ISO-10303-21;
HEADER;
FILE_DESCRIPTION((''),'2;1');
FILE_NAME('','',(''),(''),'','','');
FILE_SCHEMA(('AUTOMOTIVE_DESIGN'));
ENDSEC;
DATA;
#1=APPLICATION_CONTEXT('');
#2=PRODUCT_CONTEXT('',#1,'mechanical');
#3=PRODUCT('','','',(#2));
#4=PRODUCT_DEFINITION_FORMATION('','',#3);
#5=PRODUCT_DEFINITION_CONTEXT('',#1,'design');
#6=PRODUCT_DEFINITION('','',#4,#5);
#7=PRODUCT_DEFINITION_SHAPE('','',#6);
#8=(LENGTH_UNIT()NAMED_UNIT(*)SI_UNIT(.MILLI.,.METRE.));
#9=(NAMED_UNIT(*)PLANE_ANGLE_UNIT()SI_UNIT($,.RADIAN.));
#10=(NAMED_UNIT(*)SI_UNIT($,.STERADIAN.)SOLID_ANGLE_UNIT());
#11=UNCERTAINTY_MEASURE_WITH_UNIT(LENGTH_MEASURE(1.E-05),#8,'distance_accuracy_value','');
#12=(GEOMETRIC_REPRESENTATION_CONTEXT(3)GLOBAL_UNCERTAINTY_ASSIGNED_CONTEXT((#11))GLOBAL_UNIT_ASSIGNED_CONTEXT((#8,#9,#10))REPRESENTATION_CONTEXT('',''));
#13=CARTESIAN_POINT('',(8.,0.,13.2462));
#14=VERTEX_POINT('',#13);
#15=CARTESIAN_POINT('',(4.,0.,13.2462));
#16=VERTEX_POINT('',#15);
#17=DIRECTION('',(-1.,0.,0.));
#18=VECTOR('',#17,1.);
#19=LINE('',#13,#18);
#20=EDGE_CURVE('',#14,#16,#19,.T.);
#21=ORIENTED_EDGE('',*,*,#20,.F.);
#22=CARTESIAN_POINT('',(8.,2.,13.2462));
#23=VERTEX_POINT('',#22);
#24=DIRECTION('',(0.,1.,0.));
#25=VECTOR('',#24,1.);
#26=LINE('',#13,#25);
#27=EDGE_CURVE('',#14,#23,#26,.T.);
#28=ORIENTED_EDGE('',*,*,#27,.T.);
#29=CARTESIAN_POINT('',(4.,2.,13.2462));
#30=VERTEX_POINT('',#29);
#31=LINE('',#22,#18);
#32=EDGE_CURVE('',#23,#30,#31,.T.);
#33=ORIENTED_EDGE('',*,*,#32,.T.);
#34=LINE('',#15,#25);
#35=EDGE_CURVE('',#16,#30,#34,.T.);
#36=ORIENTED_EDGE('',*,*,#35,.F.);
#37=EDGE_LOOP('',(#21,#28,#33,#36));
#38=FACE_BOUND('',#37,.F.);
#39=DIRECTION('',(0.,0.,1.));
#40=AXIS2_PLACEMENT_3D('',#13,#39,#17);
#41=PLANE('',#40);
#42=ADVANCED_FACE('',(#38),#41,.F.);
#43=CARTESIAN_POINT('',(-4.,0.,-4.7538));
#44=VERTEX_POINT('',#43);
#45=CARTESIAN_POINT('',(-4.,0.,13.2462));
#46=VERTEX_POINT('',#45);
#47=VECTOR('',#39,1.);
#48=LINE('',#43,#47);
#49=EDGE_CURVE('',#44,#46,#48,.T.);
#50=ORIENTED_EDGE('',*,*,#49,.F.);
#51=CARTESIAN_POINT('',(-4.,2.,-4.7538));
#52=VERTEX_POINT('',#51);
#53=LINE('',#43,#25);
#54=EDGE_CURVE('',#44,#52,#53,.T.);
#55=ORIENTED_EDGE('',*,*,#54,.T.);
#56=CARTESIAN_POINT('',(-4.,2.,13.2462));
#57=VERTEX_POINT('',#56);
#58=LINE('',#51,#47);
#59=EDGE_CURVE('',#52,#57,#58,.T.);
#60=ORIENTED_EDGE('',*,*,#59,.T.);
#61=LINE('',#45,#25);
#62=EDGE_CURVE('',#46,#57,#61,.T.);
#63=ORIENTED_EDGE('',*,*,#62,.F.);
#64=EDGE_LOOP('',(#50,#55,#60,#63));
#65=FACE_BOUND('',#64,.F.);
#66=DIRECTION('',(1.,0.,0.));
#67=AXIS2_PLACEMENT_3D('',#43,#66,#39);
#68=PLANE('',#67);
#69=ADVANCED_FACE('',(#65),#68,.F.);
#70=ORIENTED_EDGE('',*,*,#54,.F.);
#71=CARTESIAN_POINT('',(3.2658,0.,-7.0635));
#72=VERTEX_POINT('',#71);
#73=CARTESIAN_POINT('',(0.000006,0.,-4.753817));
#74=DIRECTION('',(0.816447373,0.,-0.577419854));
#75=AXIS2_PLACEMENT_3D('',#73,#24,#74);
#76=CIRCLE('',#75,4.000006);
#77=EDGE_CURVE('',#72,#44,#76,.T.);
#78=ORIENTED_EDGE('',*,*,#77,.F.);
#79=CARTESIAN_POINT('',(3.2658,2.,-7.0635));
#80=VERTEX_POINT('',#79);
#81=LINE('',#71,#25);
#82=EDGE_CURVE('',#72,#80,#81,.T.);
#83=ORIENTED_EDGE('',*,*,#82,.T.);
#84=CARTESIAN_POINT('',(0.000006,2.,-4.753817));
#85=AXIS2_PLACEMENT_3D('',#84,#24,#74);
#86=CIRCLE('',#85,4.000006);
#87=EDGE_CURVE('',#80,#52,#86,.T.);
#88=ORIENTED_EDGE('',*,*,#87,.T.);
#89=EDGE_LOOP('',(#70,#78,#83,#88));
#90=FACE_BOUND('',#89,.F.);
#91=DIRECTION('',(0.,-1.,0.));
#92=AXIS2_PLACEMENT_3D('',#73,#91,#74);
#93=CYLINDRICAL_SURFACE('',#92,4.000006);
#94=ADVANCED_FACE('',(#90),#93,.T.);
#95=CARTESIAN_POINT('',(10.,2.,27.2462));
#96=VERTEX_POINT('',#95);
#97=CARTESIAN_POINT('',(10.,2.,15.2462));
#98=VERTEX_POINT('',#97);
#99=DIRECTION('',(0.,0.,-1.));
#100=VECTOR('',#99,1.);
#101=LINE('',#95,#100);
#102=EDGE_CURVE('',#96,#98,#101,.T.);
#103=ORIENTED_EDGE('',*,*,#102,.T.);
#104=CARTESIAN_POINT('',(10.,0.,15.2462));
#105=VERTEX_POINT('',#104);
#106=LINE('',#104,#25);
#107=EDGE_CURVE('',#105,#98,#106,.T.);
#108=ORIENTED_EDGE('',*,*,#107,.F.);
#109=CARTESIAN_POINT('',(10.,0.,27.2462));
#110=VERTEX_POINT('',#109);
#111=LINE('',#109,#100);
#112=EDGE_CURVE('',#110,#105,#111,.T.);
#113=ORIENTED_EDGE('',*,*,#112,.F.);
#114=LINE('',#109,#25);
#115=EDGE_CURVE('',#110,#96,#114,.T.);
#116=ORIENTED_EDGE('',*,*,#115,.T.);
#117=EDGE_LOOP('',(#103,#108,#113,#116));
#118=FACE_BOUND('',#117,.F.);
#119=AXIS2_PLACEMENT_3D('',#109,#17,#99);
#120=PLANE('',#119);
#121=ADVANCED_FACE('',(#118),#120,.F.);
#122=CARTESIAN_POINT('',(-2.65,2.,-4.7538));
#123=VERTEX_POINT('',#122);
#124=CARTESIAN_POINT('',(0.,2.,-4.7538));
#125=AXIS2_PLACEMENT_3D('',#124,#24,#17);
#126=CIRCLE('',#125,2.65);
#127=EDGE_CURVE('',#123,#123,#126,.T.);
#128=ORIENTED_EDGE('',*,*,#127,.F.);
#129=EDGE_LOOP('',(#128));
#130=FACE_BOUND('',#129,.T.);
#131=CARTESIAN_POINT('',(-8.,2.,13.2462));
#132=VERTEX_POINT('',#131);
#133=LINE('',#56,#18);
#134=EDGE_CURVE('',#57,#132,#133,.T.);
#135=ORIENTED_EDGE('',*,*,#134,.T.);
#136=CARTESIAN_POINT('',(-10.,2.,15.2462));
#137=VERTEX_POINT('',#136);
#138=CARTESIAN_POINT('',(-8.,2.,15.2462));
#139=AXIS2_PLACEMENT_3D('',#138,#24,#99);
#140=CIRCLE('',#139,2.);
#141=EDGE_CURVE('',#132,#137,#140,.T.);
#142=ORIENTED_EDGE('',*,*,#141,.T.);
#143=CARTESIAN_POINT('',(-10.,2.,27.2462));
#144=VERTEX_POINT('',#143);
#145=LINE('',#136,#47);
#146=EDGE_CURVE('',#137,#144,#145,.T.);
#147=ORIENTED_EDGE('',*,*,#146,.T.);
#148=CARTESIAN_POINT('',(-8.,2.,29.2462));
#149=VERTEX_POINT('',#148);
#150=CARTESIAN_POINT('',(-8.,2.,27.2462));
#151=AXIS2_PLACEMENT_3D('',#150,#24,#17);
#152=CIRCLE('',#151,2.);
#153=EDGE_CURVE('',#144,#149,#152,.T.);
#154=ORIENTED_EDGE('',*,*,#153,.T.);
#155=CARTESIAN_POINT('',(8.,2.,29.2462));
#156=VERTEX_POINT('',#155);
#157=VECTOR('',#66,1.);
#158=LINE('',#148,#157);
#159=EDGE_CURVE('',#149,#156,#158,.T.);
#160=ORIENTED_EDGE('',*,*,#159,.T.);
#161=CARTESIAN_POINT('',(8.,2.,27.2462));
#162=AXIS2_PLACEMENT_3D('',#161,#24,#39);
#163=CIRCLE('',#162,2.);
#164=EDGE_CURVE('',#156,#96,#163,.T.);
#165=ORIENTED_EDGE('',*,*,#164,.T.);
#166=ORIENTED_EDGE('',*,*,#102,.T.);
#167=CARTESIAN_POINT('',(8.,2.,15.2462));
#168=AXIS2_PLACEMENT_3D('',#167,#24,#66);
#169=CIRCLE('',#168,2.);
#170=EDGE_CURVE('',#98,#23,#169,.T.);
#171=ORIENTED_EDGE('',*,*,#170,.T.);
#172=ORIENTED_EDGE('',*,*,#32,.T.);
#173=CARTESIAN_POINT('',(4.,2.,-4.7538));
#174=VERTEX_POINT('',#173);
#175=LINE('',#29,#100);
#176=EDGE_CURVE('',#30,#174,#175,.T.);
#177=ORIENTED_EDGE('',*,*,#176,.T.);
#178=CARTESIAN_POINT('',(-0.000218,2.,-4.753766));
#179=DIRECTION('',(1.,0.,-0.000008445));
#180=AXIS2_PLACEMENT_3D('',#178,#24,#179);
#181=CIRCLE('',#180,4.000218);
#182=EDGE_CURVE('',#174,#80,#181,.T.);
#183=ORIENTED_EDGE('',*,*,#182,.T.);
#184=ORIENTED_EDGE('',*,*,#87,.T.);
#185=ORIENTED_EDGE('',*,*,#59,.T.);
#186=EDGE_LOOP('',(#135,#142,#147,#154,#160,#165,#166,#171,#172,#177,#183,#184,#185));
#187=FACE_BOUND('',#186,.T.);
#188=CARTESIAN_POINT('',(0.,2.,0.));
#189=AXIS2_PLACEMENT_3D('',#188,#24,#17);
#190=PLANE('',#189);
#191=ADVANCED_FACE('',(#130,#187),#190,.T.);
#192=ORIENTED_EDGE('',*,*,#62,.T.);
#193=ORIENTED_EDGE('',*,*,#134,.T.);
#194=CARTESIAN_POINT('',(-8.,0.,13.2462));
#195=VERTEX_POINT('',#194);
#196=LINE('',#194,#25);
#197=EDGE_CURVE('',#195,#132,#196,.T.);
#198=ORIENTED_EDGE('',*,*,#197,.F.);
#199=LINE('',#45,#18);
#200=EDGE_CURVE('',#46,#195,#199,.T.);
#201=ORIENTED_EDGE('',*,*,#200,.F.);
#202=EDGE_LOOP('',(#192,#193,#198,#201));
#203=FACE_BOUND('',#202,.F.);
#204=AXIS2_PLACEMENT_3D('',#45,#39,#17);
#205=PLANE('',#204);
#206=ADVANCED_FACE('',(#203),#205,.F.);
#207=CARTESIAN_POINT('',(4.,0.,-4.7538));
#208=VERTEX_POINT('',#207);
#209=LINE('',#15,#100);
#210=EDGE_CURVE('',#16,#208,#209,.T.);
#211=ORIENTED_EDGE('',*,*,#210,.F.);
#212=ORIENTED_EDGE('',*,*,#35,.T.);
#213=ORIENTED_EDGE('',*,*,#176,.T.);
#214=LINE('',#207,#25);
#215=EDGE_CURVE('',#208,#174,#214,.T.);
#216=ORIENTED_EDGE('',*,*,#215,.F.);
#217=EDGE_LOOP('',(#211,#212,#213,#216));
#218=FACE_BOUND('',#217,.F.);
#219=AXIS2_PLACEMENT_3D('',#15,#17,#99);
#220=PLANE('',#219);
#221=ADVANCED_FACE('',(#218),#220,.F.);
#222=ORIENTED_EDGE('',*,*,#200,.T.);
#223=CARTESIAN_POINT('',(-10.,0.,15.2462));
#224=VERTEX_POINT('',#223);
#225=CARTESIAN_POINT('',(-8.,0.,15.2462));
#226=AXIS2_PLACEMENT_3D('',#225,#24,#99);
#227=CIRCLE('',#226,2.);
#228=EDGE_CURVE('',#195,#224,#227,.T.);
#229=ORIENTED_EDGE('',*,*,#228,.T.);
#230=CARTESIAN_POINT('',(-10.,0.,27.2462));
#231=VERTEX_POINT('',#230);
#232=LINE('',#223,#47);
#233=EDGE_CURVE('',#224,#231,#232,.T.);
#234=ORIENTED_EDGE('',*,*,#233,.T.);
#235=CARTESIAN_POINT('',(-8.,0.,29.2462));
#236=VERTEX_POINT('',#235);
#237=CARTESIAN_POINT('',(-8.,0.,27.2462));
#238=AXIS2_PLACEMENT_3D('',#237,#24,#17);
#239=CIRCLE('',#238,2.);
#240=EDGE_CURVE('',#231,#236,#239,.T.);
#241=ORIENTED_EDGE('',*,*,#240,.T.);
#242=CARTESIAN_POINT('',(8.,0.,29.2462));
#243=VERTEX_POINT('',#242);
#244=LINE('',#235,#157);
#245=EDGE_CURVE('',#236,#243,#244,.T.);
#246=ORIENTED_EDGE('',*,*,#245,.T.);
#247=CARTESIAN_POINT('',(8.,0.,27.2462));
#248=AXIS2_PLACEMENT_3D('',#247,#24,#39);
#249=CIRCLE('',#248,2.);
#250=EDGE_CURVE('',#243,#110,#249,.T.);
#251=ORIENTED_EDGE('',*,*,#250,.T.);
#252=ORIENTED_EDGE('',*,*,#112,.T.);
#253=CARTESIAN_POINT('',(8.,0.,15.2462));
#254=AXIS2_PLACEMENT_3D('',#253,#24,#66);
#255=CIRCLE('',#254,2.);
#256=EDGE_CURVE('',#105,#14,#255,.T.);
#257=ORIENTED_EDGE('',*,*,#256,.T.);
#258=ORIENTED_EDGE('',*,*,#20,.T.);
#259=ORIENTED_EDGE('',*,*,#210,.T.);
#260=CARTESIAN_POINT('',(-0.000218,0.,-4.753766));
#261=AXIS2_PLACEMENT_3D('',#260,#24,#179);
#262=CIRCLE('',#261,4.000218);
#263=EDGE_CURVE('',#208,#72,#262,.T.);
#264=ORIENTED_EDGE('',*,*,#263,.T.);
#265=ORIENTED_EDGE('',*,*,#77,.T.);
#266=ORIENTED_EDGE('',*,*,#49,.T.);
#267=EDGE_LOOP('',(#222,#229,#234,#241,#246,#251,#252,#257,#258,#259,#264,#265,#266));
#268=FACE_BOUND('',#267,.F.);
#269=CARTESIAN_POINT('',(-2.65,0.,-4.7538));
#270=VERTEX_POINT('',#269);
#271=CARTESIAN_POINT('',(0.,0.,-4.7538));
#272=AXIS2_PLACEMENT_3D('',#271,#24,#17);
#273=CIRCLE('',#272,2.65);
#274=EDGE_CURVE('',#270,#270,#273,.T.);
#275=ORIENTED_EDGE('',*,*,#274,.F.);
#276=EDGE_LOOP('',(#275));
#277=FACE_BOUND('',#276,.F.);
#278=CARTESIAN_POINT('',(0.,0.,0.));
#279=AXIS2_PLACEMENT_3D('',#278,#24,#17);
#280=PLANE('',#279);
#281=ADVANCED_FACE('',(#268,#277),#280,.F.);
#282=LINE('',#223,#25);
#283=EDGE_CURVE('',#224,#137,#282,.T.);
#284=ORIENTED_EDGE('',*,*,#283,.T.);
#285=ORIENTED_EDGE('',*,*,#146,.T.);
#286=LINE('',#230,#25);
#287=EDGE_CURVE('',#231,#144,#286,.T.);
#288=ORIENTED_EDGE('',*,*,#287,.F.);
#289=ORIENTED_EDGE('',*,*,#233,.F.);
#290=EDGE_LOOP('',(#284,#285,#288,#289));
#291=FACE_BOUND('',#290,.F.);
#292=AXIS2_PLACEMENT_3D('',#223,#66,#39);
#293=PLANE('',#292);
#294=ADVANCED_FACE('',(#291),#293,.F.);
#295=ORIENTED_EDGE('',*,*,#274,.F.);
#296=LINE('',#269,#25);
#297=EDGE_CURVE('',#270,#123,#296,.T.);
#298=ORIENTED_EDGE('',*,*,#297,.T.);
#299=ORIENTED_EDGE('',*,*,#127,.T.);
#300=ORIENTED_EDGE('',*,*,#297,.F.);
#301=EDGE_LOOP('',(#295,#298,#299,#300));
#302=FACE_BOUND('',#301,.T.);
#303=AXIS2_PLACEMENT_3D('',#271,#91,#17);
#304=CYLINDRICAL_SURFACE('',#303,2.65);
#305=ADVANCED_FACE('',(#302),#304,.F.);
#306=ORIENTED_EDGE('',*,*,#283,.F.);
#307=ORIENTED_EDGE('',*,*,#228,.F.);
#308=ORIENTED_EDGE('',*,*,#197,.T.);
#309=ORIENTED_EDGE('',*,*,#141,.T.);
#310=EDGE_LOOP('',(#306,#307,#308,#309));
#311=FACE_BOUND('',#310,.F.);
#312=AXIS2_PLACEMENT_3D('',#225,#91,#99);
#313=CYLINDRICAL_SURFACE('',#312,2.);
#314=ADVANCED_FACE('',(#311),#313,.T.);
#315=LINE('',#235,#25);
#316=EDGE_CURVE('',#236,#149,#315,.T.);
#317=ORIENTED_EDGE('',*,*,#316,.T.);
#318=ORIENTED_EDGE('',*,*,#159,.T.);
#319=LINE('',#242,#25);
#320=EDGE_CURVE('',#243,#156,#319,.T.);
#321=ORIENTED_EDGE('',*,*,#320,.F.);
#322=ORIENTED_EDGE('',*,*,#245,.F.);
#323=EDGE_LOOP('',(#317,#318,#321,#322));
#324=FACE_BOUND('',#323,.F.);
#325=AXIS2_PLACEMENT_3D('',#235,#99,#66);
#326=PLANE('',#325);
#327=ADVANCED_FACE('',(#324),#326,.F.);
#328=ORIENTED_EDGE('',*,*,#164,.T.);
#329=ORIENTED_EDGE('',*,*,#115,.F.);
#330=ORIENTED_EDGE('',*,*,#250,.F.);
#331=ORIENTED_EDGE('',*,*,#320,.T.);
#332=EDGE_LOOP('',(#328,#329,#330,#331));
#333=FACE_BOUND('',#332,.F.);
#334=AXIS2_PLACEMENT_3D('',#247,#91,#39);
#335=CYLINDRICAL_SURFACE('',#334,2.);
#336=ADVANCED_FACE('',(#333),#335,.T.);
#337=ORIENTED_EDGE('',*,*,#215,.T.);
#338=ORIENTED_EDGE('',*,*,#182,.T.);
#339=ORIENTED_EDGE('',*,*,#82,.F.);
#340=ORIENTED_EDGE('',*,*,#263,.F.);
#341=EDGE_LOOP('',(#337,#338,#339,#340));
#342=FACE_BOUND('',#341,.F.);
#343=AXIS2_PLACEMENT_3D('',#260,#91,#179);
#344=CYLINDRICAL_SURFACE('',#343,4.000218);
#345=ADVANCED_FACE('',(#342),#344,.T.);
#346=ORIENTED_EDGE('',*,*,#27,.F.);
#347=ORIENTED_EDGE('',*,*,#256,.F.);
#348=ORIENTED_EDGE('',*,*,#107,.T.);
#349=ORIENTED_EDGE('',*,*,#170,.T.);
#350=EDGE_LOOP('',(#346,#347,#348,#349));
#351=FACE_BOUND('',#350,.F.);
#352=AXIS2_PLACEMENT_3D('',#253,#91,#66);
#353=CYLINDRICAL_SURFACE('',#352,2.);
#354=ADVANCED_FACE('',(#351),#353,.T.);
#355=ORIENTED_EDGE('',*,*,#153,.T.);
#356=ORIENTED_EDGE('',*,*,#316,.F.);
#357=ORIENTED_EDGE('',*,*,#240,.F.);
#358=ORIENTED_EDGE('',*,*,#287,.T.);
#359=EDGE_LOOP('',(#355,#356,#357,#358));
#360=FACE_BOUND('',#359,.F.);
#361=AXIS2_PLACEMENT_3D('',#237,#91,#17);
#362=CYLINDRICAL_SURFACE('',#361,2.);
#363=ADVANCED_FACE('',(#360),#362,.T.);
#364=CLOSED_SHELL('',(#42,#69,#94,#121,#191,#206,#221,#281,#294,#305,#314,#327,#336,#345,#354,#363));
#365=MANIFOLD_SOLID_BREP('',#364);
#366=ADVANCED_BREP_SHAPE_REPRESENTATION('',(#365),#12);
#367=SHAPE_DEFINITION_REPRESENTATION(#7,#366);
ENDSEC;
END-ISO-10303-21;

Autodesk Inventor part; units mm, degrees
ref_plane "YZ Plane" through (0, 0, 0) normal (1, 0, 0) x (0, 1, 0)
ref_plane "XZ Plane" through (0, 0, 0) normal (0, 1, 0) x (-1, 0, 0)
ref_plane "XY Plane" through (0, 0, 0) normal (0, 0, 1) x (1, 0, 0)
sketch "Sketch1" plane through (0, 0, 0) normal (0, 1, 0) x (-1, 0, 0)
  arc A0 (-3.2658, -7.0635) -> (4, -4.7538) centre (0, -4.7538) ccw
  arc A1 (-4, -4.7538) -> (-3.2658, -7.0635) centre (0, -4.7538) ccw
  line L0 (4, -4.7538) -> (4, 13.2462)
  line L1 (4, 13.2462) -> (8, 13.2462)
  line L2 (10, 15.2462) -> (10, 27.2462)
  line L3 (8, 29.2462) -> (-8, 29.2462)
  line L4 (-10, 27.2462) -> (-10, 15.2462)
  line L5 (-8, 13.2462) -> (-4, 13.2462)
  line L6 (-4, 13.2462) -> (-4, -4.7538)
  circle A2 centre (0, -4.7538) radius 2.65
  arc A3 (8, 13.2462) -> (10, 15.2462) centre (8, 15.2462) ccw
  arc A4 (10, 27.2462) -> (8, 29.2462) centre (8, 27.2462) ccw
  arc A5 (-8, 29.2462) -> (-10, 27.2462) centre (-8, 27.2462) ccw
  arc A6 (-10, 15.2462) -> (-8, 13.2462) centre (-8, 15.2462) ccw
  point P0 (0, 0)
  point P1 (0, 29.2462)
  dimension "d1" = 4
  dimension "d2" = 5.3
  dimension "d6" = 2
  dimension "d7" = 2
  dimension "d9" = 20
  dimension "d10" = 16
  dimension "d13" = 18
extrude "Extrusion2" add sketch "Sketch1" along normal blind 2
properties part number "Pomodoro Robot Servo's piece"
